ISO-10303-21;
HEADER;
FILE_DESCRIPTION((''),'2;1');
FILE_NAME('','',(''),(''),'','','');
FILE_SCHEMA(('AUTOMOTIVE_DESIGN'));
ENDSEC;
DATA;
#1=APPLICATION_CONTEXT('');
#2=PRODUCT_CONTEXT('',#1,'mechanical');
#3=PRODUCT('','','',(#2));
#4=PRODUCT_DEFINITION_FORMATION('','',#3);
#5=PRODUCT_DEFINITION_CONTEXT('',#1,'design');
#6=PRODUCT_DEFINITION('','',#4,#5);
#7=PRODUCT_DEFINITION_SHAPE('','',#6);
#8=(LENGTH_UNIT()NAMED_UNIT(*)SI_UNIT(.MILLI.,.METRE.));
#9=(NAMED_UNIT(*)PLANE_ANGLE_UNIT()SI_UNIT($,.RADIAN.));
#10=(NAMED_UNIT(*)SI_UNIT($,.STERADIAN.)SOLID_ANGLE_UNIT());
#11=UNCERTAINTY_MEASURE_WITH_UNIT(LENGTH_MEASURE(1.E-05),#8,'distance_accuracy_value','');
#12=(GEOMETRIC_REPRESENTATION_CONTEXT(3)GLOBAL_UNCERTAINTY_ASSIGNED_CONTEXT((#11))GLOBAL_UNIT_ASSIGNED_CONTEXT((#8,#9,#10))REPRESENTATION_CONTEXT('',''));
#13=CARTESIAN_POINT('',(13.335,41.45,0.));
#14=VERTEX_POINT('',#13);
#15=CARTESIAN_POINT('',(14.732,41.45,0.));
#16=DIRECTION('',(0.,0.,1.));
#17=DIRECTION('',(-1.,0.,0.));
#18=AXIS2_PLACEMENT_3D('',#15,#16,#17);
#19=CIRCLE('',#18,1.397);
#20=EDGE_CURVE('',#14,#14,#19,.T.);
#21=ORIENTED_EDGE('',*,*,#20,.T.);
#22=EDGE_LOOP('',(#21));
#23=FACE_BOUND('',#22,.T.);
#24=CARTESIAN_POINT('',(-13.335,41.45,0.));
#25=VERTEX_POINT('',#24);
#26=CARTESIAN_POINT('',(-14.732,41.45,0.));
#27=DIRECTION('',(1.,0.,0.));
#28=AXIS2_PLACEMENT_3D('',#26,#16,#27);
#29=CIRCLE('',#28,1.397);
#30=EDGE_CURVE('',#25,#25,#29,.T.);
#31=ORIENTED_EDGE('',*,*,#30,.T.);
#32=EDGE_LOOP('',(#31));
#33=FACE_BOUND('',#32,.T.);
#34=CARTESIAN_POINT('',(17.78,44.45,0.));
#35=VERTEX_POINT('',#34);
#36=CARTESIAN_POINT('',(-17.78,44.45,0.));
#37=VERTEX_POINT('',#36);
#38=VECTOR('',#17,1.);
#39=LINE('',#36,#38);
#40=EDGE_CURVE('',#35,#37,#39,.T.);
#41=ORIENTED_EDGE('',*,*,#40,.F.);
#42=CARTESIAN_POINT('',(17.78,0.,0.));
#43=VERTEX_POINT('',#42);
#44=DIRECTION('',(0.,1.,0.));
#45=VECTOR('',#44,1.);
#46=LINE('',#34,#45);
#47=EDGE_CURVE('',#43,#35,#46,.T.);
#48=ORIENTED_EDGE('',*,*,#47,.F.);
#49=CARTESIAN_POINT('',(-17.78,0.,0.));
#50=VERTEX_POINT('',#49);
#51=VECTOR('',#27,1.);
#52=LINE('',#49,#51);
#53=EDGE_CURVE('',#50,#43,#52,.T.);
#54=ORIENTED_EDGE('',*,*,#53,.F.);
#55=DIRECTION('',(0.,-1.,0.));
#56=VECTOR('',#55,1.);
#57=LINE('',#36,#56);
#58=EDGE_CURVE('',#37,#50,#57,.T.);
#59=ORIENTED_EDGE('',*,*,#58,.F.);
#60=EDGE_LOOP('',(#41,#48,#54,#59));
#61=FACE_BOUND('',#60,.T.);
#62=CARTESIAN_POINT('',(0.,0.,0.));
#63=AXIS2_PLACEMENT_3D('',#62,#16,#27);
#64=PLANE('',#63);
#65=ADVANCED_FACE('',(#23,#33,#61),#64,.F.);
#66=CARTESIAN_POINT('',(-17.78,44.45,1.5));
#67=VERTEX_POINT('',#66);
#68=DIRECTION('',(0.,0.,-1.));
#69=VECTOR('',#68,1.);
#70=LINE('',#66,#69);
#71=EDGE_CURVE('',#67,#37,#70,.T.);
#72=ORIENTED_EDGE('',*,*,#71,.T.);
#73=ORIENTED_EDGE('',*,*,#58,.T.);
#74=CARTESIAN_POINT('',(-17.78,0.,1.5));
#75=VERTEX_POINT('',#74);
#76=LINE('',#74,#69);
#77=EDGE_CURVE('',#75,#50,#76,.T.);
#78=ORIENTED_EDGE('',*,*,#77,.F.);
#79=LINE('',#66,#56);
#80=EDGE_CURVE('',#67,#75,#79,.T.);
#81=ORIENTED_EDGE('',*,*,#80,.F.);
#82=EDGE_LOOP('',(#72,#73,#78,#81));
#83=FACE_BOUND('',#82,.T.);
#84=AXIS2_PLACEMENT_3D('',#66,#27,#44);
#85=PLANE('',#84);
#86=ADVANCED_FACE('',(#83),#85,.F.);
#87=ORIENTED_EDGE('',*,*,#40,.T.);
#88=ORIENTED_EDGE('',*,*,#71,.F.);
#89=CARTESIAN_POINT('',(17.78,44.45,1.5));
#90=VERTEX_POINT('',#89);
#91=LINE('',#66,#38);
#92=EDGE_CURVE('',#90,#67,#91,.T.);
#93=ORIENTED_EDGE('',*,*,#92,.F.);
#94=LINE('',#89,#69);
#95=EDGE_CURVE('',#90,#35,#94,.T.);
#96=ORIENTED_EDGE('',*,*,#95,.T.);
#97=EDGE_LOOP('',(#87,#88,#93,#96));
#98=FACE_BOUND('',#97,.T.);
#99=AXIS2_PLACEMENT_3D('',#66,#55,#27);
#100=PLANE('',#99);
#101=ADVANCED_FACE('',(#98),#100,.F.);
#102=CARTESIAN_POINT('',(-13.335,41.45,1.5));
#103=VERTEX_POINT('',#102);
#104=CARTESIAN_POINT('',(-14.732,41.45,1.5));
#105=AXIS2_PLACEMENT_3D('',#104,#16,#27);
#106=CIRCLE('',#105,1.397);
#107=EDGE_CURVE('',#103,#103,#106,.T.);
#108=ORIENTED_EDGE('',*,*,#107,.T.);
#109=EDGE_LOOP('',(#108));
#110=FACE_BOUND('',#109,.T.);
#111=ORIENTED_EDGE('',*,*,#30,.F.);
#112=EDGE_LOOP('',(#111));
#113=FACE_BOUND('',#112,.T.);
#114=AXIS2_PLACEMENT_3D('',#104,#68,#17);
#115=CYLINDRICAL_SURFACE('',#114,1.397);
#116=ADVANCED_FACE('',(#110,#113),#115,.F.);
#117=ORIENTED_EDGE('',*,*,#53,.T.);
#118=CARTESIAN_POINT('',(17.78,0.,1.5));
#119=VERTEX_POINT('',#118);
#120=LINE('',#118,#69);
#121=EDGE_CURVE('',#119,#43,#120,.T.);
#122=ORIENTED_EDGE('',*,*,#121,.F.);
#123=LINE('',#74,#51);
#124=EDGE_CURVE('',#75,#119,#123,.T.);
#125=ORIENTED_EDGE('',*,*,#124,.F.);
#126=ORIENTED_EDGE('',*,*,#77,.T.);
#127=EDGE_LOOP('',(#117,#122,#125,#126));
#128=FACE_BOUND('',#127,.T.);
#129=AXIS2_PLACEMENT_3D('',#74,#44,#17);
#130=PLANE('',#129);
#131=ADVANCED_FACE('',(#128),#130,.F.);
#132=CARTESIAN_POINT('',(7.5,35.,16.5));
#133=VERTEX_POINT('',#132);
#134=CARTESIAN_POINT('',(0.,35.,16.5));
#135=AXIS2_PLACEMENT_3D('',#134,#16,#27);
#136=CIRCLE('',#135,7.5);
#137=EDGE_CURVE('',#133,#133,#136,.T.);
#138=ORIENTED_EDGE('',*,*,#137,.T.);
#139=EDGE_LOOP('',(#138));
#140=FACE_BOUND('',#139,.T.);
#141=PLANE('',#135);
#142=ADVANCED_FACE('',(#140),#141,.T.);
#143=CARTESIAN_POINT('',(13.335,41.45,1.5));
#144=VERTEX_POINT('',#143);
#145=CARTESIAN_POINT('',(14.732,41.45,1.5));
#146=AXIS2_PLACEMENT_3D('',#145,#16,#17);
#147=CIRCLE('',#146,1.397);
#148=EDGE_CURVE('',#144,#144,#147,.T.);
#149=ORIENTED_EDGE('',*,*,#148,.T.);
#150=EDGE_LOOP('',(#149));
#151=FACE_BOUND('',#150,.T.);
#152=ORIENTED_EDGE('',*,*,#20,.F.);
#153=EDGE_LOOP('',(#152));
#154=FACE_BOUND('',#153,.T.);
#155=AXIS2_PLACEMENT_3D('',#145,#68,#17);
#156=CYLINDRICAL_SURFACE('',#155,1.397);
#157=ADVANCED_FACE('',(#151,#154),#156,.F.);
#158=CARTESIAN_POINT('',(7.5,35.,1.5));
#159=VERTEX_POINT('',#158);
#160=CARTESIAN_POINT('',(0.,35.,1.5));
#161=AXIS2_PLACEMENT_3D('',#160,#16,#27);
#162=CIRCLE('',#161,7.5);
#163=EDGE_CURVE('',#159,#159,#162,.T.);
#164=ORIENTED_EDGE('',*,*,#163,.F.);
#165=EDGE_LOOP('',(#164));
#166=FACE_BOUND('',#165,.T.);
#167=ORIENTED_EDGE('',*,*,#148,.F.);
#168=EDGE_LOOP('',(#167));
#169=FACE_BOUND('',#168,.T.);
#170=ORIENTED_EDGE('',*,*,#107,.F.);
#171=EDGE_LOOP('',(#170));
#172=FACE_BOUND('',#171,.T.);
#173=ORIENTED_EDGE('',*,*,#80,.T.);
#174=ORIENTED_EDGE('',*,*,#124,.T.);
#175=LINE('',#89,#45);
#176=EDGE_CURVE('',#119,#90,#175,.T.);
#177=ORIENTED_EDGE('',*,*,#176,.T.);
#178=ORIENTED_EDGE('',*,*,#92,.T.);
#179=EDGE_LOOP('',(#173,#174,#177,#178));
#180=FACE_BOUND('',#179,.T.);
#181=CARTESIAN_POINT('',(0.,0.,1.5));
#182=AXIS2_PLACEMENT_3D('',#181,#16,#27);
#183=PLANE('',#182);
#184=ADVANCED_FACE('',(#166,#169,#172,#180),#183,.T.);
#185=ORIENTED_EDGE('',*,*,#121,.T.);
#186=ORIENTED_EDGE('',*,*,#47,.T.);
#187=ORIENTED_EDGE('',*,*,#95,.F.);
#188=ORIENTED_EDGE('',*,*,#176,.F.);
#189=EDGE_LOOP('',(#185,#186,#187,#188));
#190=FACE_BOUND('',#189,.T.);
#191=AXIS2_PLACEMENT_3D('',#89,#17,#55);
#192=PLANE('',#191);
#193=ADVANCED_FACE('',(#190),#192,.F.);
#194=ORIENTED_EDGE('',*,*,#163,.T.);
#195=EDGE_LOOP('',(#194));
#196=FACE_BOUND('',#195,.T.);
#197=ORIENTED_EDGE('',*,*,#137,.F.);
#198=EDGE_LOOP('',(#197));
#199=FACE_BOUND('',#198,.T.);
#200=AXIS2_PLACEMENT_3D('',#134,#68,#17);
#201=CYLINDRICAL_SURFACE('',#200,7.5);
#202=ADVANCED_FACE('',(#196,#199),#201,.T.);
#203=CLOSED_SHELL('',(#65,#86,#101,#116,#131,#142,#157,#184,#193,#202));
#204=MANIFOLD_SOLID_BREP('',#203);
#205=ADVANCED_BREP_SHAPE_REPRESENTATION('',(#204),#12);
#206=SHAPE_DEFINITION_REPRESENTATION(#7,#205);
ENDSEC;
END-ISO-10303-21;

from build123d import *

# Parameters (mm, degrees)
SKETCH_1_W      = 35.56
SKETCH_1_H      = 44.45
SKETCH_1_R      = 1.397
EXTRUDE_1_DEPTH = 1.5
SKETCH_2_R      = 7.5
EXTRUDE_2_DEPTH = 15


with BuildPart() as part:
    # 草图1 → 凸台-拉伸1 (new body)
    with BuildSketch(Plane.XY):
        with Locations((0, 22.225)):
            Rectangle(SKETCH_1_W, SKETCH_1_H)
        with Locations((-14.732, 41.45)):
            Circle(SKETCH_1_R, mode=Mode.SUBTRACT)
        with Locations(Location((14.732, 41.45, 0), (0, 0, 180))):
            Circle(SKETCH_1_R, mode=Mode.SUBTRACT)
    extrude(amount=EXTRUDE_1_DEPTH)

    # 草图2 → 凸台-拉伸2 (add)
    with BuildSketch(Plane.XY.offset(1.5)):
        with Locations((0, 35)):
            Circle(SKETCH_2_R)
    extrude(amount=EXTRUDE_2_DEPTH)


solid = part.part
